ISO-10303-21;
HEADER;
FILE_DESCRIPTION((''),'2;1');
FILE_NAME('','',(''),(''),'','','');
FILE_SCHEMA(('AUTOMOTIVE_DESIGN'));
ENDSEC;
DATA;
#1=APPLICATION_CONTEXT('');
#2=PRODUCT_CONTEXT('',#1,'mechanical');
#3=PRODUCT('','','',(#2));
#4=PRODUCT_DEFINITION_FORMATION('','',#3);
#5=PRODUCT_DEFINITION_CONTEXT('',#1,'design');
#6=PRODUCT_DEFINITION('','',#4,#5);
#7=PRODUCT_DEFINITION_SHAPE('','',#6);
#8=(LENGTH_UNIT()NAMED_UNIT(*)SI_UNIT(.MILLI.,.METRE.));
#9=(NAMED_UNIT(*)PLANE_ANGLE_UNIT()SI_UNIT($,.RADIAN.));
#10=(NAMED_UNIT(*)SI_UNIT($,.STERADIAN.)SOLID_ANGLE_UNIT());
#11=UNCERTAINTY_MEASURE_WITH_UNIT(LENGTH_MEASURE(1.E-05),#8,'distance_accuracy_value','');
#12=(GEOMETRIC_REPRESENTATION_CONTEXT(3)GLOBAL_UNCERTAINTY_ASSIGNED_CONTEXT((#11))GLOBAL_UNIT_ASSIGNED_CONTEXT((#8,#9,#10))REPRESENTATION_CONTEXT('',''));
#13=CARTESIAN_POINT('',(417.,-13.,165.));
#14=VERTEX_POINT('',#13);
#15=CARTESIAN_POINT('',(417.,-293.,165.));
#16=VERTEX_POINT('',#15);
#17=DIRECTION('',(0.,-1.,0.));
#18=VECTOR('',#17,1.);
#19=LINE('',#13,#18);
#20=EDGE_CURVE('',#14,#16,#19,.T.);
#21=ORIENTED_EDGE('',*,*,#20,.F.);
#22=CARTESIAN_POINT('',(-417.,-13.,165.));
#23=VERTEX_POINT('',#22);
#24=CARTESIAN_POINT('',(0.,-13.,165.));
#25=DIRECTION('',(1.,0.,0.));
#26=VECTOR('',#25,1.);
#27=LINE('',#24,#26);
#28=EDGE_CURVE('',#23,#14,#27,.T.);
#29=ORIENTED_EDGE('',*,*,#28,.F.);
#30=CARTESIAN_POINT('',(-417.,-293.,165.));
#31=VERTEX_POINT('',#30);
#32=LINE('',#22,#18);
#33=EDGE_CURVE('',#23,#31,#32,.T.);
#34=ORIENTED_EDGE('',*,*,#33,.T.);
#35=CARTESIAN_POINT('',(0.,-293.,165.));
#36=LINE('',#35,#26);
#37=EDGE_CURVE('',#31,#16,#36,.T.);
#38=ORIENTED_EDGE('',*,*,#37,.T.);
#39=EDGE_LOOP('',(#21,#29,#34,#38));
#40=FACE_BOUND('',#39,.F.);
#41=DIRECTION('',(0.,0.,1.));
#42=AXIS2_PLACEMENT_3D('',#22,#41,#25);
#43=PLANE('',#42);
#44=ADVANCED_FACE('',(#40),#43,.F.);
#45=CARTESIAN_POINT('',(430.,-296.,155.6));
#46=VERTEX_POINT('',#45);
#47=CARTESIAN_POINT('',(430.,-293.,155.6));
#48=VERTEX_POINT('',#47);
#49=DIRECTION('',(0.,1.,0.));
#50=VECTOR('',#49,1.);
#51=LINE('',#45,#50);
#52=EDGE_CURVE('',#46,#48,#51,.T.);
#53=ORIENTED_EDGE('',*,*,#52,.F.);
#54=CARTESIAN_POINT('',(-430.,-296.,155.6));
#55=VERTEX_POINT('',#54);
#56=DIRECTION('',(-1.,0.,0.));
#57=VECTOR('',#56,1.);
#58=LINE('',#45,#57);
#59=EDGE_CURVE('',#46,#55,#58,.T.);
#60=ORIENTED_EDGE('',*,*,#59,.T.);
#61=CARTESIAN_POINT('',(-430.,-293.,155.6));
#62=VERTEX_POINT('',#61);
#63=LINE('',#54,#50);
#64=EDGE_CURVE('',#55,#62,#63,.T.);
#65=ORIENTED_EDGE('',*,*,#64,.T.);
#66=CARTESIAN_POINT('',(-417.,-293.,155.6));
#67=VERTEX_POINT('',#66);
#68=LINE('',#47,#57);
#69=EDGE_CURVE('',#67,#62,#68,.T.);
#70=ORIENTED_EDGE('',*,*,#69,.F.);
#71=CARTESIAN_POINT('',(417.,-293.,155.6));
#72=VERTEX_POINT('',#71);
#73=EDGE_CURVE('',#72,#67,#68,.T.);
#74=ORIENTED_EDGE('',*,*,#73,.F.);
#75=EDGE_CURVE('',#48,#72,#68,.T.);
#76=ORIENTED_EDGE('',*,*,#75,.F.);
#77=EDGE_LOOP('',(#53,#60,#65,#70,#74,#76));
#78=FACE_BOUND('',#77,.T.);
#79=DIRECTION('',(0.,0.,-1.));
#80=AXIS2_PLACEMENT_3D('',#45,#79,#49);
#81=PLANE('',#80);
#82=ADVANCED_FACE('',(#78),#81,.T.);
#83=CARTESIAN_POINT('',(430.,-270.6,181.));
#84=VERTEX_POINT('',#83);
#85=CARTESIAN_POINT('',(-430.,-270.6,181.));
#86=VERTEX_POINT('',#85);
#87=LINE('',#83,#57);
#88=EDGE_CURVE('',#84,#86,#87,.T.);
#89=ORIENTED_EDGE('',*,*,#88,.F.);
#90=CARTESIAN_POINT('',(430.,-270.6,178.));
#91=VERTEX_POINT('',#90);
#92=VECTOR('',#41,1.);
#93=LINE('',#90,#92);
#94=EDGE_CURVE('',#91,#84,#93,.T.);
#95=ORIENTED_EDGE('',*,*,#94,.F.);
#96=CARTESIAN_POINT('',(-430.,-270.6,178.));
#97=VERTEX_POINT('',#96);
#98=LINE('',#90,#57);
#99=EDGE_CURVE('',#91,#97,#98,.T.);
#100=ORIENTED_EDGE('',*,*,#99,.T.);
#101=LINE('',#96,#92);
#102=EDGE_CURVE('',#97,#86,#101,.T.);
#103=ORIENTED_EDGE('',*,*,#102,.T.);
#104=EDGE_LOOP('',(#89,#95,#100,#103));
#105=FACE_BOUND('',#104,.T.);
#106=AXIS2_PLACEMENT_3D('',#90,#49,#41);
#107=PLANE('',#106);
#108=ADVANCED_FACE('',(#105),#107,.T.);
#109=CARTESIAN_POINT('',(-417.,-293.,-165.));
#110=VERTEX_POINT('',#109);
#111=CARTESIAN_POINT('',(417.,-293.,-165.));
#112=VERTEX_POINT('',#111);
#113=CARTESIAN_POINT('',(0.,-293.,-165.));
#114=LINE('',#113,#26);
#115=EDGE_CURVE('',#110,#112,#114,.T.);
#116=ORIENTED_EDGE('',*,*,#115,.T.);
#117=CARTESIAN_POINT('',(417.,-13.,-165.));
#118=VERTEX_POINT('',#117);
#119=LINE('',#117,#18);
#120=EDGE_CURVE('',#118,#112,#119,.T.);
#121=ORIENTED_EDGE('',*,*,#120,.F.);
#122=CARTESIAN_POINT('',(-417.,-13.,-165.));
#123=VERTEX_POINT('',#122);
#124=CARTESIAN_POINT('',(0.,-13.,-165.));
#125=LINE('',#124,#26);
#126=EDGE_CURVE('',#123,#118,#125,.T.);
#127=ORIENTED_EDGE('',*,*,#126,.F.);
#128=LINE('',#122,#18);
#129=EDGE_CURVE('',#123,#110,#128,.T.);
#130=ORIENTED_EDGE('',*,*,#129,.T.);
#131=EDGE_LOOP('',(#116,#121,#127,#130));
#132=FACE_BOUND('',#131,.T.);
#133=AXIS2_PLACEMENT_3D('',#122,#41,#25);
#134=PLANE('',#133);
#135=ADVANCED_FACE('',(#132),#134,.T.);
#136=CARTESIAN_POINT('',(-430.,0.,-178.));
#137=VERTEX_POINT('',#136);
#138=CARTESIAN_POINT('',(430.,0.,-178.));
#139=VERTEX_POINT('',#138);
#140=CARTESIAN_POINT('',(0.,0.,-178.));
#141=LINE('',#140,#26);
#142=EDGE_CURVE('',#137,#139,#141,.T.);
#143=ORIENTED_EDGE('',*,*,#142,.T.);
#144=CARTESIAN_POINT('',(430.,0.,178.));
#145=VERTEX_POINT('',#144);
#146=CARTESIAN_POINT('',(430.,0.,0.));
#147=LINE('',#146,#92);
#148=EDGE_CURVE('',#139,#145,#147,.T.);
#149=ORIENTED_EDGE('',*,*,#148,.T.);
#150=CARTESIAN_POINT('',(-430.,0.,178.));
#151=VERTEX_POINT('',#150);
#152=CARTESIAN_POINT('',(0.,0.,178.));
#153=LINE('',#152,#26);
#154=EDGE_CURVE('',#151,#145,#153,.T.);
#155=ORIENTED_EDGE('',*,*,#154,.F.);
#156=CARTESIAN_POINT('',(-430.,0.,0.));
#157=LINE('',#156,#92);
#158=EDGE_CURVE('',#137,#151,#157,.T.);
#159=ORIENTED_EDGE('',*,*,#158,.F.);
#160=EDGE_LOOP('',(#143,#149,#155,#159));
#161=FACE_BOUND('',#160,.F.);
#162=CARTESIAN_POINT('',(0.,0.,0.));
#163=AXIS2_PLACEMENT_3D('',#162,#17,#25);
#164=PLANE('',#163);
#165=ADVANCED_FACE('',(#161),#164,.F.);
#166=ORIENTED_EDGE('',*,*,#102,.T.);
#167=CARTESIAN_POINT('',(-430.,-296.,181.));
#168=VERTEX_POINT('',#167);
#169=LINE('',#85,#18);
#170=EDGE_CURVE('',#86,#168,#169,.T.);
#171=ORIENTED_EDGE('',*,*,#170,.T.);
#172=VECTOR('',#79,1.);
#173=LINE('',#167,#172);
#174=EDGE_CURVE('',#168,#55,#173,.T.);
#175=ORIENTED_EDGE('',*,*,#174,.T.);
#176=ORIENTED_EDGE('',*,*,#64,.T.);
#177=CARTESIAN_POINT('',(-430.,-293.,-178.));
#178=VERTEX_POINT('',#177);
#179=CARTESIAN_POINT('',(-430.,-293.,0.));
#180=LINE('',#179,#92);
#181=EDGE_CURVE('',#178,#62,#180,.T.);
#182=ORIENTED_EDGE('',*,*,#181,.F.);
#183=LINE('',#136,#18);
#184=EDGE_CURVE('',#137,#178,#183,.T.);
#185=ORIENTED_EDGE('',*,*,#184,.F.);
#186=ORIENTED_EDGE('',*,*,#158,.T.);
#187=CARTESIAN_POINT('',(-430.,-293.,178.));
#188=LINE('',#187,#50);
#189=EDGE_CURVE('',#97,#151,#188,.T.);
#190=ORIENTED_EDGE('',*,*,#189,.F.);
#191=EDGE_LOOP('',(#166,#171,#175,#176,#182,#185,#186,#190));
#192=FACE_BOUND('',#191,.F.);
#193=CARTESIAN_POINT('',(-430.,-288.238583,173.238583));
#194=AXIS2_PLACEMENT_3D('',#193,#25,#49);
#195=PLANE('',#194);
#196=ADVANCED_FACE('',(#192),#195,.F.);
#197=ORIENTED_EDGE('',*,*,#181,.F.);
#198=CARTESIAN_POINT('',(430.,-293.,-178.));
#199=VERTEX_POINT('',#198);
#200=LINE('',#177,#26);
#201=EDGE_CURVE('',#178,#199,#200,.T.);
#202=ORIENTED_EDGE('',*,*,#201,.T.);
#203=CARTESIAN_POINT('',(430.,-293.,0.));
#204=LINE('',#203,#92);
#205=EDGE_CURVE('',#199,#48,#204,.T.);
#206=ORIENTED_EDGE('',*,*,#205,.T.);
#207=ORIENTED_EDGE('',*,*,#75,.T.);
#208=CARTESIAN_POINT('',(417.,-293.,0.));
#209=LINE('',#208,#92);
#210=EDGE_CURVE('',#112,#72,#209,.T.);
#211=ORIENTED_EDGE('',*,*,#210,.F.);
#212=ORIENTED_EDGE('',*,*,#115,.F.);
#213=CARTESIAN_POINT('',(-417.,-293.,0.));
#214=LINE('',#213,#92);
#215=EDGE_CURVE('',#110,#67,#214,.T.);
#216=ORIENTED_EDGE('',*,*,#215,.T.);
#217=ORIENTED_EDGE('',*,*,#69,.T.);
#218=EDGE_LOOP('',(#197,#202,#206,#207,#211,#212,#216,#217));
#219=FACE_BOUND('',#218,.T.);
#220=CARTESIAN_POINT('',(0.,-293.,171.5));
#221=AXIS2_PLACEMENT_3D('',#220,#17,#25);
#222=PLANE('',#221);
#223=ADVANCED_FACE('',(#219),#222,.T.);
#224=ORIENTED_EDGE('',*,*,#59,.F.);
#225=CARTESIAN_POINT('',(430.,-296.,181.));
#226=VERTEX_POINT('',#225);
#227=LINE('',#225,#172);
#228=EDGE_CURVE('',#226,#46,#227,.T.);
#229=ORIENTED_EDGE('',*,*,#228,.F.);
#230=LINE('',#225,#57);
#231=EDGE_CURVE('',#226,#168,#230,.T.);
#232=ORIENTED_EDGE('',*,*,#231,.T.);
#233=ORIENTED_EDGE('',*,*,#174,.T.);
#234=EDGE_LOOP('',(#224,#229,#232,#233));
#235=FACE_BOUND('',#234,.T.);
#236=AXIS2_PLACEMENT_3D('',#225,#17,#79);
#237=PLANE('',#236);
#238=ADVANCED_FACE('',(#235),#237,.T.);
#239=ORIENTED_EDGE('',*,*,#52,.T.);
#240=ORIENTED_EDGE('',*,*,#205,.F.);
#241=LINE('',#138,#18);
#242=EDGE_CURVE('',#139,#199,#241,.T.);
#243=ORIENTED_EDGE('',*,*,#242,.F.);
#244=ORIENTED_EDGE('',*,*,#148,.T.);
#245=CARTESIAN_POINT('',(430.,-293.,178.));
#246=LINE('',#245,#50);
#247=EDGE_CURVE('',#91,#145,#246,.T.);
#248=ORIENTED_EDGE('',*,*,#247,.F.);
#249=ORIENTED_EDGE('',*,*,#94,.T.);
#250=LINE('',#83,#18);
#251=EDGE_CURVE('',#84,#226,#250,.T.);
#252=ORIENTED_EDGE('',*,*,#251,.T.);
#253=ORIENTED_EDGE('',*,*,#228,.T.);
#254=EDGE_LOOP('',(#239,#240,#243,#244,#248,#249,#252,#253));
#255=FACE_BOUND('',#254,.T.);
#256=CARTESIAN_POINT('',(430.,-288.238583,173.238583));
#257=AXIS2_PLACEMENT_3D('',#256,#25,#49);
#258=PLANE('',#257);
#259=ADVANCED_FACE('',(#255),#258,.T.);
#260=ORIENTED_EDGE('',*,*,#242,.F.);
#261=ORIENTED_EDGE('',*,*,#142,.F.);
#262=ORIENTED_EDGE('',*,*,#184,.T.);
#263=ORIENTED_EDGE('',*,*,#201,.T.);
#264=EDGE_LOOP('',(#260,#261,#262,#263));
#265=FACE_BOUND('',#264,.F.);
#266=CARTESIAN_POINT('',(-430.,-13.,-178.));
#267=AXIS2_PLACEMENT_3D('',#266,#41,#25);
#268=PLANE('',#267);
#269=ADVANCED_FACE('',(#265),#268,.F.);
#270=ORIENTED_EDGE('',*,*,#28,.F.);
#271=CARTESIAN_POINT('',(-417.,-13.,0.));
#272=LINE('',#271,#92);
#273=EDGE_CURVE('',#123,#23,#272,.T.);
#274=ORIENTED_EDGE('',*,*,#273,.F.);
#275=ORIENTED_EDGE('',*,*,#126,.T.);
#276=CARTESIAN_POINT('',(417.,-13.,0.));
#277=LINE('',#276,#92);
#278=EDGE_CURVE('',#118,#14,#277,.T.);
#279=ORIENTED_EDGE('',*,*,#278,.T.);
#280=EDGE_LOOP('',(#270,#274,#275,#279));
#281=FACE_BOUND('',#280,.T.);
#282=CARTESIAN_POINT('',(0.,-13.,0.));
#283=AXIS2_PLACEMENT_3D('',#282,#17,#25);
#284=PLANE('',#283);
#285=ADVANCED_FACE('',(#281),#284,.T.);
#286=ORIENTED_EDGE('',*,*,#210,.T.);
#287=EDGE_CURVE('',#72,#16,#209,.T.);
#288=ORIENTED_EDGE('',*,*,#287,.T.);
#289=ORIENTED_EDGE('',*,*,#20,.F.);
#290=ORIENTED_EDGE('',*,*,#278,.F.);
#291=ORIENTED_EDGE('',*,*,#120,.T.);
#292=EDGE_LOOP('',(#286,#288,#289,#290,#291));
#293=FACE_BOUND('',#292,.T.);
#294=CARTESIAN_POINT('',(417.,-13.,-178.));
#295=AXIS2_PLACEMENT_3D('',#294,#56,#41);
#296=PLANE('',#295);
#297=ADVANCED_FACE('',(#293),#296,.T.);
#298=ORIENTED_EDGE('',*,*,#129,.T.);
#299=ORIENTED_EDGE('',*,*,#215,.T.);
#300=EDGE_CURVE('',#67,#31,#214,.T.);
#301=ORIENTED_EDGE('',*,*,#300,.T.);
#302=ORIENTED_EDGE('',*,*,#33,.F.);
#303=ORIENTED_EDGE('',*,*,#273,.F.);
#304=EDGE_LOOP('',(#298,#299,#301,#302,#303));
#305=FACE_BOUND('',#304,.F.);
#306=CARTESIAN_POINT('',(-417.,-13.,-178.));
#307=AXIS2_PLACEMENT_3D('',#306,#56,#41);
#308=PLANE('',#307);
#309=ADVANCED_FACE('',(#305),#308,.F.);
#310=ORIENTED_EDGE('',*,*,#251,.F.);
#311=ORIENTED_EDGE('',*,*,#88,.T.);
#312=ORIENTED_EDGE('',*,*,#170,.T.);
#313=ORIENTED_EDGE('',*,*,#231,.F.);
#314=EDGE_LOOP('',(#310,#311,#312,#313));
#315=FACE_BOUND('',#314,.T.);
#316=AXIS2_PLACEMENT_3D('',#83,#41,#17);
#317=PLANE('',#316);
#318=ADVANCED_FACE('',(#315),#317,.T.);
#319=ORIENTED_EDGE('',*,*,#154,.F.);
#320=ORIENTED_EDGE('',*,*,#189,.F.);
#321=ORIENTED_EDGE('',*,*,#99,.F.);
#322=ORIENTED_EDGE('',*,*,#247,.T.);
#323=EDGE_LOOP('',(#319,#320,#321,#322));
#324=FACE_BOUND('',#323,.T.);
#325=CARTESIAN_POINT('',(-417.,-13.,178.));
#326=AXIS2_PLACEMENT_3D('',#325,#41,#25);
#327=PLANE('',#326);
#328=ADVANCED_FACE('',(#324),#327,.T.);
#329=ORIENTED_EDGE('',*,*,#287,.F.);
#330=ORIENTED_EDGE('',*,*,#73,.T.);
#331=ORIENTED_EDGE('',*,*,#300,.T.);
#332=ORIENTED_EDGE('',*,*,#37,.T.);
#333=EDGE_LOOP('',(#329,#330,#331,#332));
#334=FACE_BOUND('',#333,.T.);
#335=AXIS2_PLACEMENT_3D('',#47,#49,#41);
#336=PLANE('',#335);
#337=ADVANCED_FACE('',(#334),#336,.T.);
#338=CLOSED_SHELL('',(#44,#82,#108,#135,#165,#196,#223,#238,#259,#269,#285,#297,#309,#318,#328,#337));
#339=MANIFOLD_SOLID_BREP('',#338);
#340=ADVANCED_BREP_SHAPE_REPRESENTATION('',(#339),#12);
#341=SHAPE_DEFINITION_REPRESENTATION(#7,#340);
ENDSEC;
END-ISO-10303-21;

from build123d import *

# Parameters (mm, degrees)
F0_W     = 860
F0_H     = 356
F1_DEPTH = 13
F2_W     = 13
F2_H     = 356
F3_DEPTH = 280
F4_W     = 834
F4_H     = 13
F5_DEPTH = 280
F7_DEPTH = 860


with BuildPart() as f1:
    # F0 (on Front) → F1 (new body)
    with BuildSketch(Plane.XZ):
        Rectangle(F0_W, F0_H)
    extrude(amount=F1_DEPTH)

    # F2 (on face) → F3 (join)
    with BuildSketch(Plane.XZ.offset(13)):
        with Locations((-423.5, 0)):
            Rectangle(F2_W, F2_H)
        with Locations((423.5, 0)):
            Rectangle(F2_W, F2_H)
    extrude(amount=F3_DEPTH)

    # F4 (on face) → F5 (join)
    with BuildSketch(Plane.XZ.offset(13)):
        with Locations((0, 171.5)):
            Rectangle(F4_W, F4_H)
        with Locations((0, -171.5)):
            Rectangle(F4_W, F4_H)
    extrude(amount=F5_DEPTH)

    # F6 (on face) → F7 (join, through all)
    with BuildSketch(Plane.YZ.offset(430)):
        Polygon((-270.6, 178), (-270.6, 181), (-296, 181), (-296, 155.6), (-293, 155.6), (-293, 178), align=None)
    extrude(amount=-F7_DEPTH)


solid = f1.part
